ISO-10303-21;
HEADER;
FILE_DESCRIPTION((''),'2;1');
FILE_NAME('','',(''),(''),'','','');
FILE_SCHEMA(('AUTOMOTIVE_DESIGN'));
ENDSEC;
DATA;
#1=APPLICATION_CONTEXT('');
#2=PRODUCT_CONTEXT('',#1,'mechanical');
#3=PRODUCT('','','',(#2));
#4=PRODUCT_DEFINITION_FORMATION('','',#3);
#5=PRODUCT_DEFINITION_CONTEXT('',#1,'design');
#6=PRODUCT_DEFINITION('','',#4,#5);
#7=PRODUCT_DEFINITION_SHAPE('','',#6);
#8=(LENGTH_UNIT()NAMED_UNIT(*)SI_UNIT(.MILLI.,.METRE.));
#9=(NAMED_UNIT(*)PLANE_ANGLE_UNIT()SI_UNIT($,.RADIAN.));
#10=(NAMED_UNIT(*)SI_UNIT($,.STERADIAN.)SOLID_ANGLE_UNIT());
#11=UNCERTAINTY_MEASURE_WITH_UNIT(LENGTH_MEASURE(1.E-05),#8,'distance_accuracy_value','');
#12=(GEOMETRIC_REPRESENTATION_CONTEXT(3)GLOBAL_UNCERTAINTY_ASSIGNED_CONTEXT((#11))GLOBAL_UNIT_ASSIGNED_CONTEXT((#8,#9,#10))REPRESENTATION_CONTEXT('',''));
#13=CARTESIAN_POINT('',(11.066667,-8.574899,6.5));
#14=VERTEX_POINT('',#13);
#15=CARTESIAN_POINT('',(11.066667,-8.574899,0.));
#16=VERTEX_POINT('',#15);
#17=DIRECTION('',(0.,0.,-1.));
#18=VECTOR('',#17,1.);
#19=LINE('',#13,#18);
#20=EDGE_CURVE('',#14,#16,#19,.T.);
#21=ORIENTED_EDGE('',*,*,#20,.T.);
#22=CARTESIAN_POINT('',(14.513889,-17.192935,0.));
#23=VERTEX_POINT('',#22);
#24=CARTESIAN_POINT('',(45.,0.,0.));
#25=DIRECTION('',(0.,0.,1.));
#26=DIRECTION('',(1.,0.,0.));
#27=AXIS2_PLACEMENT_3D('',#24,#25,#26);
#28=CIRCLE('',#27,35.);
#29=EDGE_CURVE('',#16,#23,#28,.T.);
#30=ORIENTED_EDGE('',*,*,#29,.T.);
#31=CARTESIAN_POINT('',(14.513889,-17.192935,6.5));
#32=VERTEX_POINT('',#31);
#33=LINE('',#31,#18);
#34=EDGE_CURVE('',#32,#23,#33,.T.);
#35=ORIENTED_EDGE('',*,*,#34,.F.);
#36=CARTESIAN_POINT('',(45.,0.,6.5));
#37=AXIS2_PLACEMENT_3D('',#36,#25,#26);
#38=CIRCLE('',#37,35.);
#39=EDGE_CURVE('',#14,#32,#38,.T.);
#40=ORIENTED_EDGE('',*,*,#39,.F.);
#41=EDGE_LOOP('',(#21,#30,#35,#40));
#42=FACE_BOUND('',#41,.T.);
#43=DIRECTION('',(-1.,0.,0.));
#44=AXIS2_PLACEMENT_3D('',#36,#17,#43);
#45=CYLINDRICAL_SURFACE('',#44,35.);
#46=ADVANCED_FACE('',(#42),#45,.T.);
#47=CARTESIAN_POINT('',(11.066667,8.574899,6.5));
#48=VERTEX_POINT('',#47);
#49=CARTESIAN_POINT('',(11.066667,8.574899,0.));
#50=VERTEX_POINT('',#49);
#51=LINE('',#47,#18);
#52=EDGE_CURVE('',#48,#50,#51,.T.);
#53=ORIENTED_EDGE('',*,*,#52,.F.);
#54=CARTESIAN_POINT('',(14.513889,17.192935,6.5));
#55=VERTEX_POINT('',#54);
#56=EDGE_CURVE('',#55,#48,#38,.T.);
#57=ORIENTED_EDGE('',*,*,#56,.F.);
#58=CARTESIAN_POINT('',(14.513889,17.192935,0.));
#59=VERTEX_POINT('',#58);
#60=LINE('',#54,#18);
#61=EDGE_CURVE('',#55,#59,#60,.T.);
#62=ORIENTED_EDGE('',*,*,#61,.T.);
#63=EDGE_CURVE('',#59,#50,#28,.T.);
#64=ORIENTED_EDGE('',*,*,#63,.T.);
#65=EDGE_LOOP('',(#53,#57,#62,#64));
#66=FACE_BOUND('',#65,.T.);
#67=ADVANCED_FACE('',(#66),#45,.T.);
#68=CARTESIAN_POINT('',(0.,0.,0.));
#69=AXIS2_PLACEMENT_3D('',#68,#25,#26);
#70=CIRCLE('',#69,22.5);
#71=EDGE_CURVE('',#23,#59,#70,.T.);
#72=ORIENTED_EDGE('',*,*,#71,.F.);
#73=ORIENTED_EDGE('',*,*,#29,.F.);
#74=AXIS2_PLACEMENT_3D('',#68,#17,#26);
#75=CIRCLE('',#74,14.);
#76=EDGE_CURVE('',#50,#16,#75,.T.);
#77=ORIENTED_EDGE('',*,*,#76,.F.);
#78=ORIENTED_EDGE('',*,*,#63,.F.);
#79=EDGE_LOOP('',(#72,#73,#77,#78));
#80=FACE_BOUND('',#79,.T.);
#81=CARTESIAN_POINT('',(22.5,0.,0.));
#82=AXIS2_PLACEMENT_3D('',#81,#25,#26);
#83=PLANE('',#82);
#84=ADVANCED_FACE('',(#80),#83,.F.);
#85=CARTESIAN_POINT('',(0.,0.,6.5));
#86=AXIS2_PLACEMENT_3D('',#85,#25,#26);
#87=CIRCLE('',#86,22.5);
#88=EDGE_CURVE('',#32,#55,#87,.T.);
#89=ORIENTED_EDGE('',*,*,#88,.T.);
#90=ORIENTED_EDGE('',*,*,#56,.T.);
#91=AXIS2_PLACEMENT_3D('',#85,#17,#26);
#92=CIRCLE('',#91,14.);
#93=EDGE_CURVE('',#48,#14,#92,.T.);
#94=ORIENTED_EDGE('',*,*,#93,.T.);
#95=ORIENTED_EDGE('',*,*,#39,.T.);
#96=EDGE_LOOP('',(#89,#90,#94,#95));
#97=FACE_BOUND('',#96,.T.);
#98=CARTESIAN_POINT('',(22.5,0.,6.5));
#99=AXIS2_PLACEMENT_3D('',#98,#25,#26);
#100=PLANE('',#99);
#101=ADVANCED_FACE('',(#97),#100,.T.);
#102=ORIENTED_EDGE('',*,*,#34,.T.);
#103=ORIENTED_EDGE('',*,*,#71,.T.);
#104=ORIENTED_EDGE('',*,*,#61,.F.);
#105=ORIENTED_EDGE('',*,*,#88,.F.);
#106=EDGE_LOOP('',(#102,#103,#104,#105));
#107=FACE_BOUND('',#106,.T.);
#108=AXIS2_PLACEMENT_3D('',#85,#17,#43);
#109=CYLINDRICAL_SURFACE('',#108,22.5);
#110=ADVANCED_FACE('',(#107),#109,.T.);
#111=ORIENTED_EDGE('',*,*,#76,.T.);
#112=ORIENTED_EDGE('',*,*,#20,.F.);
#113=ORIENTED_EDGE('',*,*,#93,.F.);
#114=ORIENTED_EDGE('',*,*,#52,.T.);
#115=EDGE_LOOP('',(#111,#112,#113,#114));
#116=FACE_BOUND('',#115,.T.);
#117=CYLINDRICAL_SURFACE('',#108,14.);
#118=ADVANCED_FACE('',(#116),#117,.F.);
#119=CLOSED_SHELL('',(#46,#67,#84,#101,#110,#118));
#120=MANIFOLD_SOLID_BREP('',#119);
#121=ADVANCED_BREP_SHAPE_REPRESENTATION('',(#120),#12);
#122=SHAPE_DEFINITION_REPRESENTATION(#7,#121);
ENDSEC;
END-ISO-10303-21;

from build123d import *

# Parameters (mm, degrees)
BASE_EXTRUSION_DEPTH = 6.5


with BuildPart() as part:
    # Esquisse1 → Base-Extrusion (new body)
    with BuildSketch(Plane.XY):
        with BuildLine():
            ThreePointArc((14.513888889, -17.192935448), (22.5, 0), (14.513888889, 17.192935448))
            ThreePointArc((14.513888889, 17.192935448), (12.503325637, 12.998698216), (11.066666667, 8.574898768))
            ThreePointArc((11.066666667, 8.574898768), (14, 0), (11.066666667, -8.574898768))
            ThreePointArc((11.066666667, -8.574898768), (12.503325637, -12.998698216), (14.513888889, -17.192935448))
        make_face()
    extrude(amount=BASE_EXTRUSION_DEPTH)


solid = part.part
